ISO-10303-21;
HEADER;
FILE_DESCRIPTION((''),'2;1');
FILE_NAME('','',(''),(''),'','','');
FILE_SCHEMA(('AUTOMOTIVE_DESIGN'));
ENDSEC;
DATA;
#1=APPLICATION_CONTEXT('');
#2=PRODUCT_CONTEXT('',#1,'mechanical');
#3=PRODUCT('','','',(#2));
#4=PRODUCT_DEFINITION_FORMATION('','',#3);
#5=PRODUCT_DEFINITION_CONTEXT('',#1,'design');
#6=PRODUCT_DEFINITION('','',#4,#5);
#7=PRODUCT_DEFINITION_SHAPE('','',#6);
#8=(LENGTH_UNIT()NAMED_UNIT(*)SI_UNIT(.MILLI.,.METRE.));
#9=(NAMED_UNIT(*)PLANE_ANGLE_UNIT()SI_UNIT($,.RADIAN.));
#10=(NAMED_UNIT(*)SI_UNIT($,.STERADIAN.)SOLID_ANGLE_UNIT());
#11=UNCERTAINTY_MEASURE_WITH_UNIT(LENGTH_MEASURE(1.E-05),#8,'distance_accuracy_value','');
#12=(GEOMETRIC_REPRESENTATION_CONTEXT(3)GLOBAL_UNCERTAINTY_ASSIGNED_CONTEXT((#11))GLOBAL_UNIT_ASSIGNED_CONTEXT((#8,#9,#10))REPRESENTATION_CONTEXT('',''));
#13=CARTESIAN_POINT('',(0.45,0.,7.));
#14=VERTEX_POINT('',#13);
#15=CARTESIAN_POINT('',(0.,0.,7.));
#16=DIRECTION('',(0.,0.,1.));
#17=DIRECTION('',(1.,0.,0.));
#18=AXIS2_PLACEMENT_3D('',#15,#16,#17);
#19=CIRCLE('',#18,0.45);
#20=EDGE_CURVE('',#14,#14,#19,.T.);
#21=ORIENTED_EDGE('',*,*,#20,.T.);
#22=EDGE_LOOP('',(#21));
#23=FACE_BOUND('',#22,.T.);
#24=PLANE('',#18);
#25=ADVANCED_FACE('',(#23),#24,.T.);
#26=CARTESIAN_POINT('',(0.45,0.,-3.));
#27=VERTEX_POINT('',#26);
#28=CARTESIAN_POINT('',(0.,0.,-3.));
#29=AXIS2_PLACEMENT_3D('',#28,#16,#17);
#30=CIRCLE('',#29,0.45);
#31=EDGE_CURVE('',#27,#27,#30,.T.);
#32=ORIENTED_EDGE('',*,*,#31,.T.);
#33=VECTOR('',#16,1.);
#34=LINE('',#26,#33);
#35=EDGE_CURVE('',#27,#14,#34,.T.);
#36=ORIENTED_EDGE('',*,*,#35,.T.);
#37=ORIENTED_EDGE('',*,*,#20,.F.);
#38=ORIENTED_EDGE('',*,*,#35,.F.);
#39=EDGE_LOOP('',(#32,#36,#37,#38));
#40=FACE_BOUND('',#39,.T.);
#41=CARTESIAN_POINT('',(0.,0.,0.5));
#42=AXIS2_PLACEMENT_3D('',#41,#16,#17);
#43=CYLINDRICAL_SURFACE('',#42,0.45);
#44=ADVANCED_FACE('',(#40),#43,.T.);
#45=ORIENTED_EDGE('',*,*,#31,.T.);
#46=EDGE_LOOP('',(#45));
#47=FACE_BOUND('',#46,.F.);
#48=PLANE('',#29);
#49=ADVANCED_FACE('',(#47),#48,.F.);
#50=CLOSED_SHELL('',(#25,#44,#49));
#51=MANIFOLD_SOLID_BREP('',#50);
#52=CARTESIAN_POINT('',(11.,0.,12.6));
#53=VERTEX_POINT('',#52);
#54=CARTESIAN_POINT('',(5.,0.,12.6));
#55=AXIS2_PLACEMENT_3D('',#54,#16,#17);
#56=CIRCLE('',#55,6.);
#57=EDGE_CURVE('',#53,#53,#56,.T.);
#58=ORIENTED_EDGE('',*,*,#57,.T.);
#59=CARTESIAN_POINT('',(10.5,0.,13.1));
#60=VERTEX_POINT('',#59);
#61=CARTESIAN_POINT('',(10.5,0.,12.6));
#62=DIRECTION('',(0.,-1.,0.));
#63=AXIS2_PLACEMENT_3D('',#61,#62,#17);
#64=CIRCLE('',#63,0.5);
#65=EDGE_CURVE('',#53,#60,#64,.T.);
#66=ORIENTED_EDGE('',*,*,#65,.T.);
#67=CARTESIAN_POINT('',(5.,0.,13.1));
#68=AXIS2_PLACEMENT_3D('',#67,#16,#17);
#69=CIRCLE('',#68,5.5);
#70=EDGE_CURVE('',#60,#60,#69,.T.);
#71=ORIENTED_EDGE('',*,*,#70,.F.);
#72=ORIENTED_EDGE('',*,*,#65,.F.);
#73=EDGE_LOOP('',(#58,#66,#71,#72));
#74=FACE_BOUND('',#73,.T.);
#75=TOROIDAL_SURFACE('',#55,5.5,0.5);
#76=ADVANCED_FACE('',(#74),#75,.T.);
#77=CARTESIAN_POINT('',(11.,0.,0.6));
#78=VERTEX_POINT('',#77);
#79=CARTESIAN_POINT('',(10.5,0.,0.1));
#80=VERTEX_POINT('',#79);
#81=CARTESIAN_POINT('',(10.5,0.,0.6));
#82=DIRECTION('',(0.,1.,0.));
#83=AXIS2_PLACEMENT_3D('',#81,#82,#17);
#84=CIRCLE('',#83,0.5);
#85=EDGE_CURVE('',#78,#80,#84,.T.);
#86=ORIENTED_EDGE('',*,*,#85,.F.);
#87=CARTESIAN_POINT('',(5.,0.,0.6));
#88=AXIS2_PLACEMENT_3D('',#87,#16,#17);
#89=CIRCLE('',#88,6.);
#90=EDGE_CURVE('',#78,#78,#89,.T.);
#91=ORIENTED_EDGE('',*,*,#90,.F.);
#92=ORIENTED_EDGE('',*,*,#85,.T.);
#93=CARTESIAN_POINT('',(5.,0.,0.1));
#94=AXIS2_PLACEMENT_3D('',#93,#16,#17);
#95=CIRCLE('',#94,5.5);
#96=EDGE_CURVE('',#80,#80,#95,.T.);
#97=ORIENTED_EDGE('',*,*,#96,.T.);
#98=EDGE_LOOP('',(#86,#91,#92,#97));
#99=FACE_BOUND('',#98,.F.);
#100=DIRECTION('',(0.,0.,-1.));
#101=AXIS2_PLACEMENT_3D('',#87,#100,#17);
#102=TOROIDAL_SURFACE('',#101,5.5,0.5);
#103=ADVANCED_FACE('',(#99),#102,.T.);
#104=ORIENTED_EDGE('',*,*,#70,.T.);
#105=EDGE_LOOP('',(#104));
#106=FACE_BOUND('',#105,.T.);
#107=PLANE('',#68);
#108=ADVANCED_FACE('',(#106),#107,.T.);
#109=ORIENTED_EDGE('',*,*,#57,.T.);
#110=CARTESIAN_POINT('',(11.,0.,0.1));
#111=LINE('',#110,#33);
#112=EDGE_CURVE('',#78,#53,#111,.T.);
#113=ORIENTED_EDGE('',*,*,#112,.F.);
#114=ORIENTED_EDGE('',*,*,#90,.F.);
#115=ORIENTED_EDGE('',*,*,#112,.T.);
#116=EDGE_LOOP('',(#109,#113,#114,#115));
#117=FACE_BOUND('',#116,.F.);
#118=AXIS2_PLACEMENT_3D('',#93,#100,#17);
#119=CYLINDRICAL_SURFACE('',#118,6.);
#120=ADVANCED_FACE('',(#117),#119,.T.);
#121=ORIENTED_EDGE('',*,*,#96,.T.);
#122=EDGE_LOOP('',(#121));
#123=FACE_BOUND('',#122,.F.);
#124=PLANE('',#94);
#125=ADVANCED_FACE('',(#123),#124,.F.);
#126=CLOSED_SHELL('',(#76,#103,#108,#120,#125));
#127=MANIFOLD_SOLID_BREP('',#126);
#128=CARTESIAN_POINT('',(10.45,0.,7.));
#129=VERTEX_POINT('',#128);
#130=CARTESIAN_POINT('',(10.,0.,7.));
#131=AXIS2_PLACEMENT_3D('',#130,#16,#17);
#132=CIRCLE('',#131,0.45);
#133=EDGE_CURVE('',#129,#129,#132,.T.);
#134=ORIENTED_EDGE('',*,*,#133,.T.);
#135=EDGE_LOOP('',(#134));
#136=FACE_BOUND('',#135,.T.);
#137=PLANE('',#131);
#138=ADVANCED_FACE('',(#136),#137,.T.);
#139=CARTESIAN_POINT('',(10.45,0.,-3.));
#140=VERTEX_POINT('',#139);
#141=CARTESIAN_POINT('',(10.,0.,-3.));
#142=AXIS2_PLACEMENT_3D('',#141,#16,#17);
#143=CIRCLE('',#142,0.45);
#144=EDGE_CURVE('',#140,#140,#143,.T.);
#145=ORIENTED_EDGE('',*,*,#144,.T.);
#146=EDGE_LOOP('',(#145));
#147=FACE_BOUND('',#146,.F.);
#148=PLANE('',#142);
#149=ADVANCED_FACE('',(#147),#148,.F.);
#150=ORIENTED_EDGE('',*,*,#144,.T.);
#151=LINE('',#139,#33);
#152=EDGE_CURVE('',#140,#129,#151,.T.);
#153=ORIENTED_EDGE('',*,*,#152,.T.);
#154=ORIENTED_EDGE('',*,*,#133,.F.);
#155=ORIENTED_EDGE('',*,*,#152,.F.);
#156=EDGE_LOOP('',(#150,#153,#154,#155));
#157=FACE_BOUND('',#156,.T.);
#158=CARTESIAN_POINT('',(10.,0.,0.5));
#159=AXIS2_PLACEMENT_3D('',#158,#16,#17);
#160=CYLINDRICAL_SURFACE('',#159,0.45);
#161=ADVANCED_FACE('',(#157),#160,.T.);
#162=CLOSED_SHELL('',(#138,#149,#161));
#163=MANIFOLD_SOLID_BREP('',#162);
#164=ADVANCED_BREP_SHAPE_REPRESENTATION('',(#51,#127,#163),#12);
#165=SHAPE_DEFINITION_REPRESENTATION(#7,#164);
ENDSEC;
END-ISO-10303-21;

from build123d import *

# Parameters (mm, degrees)
SKETCH001_R       = 0.45
PAD001_DEPTH      = 6.5
PAD001_DEPTH_BACK = 3.5
SKETCH_R          = 6
PAD_DEPTH         = 13
FILLET_R          = 0.5


with BuildPart() as pad001:
    # Sketch001 → Pad001 (new body, two sides)
    with BuildSketch(Plane.XY.offset(0.5)) as pad001_sk:
        Circle(SKETCH001_R)
        with Locations((10, 0)):
            Circle(SKETCH001_R)
    extrude(amount=PAD001_DEPTH)
    extrude(pad001_sk.sketch, amount=-PAD001_DEPTH_BACK)


with BuildPart() as fillet_body:
    # Sketch → Pad (new body)
    with BuildSketch(Plane.XY.offset(0.1)):
        with Locations((5, 0)):
            Circle(SKETCH_R)
    extrude(amount=PAD_DEPTH)

    # Fillet
    fillet_edges = [fillet_body.edges().sort_by_distance(p)[0] for p in [
        (-1, 0, 0.1),
        (-1, 0, 13.1),
    ]]
    fillet(fillet_edges, radius=FILLET_R)


solid = Compound([pad001.part, fillet_body.part])
